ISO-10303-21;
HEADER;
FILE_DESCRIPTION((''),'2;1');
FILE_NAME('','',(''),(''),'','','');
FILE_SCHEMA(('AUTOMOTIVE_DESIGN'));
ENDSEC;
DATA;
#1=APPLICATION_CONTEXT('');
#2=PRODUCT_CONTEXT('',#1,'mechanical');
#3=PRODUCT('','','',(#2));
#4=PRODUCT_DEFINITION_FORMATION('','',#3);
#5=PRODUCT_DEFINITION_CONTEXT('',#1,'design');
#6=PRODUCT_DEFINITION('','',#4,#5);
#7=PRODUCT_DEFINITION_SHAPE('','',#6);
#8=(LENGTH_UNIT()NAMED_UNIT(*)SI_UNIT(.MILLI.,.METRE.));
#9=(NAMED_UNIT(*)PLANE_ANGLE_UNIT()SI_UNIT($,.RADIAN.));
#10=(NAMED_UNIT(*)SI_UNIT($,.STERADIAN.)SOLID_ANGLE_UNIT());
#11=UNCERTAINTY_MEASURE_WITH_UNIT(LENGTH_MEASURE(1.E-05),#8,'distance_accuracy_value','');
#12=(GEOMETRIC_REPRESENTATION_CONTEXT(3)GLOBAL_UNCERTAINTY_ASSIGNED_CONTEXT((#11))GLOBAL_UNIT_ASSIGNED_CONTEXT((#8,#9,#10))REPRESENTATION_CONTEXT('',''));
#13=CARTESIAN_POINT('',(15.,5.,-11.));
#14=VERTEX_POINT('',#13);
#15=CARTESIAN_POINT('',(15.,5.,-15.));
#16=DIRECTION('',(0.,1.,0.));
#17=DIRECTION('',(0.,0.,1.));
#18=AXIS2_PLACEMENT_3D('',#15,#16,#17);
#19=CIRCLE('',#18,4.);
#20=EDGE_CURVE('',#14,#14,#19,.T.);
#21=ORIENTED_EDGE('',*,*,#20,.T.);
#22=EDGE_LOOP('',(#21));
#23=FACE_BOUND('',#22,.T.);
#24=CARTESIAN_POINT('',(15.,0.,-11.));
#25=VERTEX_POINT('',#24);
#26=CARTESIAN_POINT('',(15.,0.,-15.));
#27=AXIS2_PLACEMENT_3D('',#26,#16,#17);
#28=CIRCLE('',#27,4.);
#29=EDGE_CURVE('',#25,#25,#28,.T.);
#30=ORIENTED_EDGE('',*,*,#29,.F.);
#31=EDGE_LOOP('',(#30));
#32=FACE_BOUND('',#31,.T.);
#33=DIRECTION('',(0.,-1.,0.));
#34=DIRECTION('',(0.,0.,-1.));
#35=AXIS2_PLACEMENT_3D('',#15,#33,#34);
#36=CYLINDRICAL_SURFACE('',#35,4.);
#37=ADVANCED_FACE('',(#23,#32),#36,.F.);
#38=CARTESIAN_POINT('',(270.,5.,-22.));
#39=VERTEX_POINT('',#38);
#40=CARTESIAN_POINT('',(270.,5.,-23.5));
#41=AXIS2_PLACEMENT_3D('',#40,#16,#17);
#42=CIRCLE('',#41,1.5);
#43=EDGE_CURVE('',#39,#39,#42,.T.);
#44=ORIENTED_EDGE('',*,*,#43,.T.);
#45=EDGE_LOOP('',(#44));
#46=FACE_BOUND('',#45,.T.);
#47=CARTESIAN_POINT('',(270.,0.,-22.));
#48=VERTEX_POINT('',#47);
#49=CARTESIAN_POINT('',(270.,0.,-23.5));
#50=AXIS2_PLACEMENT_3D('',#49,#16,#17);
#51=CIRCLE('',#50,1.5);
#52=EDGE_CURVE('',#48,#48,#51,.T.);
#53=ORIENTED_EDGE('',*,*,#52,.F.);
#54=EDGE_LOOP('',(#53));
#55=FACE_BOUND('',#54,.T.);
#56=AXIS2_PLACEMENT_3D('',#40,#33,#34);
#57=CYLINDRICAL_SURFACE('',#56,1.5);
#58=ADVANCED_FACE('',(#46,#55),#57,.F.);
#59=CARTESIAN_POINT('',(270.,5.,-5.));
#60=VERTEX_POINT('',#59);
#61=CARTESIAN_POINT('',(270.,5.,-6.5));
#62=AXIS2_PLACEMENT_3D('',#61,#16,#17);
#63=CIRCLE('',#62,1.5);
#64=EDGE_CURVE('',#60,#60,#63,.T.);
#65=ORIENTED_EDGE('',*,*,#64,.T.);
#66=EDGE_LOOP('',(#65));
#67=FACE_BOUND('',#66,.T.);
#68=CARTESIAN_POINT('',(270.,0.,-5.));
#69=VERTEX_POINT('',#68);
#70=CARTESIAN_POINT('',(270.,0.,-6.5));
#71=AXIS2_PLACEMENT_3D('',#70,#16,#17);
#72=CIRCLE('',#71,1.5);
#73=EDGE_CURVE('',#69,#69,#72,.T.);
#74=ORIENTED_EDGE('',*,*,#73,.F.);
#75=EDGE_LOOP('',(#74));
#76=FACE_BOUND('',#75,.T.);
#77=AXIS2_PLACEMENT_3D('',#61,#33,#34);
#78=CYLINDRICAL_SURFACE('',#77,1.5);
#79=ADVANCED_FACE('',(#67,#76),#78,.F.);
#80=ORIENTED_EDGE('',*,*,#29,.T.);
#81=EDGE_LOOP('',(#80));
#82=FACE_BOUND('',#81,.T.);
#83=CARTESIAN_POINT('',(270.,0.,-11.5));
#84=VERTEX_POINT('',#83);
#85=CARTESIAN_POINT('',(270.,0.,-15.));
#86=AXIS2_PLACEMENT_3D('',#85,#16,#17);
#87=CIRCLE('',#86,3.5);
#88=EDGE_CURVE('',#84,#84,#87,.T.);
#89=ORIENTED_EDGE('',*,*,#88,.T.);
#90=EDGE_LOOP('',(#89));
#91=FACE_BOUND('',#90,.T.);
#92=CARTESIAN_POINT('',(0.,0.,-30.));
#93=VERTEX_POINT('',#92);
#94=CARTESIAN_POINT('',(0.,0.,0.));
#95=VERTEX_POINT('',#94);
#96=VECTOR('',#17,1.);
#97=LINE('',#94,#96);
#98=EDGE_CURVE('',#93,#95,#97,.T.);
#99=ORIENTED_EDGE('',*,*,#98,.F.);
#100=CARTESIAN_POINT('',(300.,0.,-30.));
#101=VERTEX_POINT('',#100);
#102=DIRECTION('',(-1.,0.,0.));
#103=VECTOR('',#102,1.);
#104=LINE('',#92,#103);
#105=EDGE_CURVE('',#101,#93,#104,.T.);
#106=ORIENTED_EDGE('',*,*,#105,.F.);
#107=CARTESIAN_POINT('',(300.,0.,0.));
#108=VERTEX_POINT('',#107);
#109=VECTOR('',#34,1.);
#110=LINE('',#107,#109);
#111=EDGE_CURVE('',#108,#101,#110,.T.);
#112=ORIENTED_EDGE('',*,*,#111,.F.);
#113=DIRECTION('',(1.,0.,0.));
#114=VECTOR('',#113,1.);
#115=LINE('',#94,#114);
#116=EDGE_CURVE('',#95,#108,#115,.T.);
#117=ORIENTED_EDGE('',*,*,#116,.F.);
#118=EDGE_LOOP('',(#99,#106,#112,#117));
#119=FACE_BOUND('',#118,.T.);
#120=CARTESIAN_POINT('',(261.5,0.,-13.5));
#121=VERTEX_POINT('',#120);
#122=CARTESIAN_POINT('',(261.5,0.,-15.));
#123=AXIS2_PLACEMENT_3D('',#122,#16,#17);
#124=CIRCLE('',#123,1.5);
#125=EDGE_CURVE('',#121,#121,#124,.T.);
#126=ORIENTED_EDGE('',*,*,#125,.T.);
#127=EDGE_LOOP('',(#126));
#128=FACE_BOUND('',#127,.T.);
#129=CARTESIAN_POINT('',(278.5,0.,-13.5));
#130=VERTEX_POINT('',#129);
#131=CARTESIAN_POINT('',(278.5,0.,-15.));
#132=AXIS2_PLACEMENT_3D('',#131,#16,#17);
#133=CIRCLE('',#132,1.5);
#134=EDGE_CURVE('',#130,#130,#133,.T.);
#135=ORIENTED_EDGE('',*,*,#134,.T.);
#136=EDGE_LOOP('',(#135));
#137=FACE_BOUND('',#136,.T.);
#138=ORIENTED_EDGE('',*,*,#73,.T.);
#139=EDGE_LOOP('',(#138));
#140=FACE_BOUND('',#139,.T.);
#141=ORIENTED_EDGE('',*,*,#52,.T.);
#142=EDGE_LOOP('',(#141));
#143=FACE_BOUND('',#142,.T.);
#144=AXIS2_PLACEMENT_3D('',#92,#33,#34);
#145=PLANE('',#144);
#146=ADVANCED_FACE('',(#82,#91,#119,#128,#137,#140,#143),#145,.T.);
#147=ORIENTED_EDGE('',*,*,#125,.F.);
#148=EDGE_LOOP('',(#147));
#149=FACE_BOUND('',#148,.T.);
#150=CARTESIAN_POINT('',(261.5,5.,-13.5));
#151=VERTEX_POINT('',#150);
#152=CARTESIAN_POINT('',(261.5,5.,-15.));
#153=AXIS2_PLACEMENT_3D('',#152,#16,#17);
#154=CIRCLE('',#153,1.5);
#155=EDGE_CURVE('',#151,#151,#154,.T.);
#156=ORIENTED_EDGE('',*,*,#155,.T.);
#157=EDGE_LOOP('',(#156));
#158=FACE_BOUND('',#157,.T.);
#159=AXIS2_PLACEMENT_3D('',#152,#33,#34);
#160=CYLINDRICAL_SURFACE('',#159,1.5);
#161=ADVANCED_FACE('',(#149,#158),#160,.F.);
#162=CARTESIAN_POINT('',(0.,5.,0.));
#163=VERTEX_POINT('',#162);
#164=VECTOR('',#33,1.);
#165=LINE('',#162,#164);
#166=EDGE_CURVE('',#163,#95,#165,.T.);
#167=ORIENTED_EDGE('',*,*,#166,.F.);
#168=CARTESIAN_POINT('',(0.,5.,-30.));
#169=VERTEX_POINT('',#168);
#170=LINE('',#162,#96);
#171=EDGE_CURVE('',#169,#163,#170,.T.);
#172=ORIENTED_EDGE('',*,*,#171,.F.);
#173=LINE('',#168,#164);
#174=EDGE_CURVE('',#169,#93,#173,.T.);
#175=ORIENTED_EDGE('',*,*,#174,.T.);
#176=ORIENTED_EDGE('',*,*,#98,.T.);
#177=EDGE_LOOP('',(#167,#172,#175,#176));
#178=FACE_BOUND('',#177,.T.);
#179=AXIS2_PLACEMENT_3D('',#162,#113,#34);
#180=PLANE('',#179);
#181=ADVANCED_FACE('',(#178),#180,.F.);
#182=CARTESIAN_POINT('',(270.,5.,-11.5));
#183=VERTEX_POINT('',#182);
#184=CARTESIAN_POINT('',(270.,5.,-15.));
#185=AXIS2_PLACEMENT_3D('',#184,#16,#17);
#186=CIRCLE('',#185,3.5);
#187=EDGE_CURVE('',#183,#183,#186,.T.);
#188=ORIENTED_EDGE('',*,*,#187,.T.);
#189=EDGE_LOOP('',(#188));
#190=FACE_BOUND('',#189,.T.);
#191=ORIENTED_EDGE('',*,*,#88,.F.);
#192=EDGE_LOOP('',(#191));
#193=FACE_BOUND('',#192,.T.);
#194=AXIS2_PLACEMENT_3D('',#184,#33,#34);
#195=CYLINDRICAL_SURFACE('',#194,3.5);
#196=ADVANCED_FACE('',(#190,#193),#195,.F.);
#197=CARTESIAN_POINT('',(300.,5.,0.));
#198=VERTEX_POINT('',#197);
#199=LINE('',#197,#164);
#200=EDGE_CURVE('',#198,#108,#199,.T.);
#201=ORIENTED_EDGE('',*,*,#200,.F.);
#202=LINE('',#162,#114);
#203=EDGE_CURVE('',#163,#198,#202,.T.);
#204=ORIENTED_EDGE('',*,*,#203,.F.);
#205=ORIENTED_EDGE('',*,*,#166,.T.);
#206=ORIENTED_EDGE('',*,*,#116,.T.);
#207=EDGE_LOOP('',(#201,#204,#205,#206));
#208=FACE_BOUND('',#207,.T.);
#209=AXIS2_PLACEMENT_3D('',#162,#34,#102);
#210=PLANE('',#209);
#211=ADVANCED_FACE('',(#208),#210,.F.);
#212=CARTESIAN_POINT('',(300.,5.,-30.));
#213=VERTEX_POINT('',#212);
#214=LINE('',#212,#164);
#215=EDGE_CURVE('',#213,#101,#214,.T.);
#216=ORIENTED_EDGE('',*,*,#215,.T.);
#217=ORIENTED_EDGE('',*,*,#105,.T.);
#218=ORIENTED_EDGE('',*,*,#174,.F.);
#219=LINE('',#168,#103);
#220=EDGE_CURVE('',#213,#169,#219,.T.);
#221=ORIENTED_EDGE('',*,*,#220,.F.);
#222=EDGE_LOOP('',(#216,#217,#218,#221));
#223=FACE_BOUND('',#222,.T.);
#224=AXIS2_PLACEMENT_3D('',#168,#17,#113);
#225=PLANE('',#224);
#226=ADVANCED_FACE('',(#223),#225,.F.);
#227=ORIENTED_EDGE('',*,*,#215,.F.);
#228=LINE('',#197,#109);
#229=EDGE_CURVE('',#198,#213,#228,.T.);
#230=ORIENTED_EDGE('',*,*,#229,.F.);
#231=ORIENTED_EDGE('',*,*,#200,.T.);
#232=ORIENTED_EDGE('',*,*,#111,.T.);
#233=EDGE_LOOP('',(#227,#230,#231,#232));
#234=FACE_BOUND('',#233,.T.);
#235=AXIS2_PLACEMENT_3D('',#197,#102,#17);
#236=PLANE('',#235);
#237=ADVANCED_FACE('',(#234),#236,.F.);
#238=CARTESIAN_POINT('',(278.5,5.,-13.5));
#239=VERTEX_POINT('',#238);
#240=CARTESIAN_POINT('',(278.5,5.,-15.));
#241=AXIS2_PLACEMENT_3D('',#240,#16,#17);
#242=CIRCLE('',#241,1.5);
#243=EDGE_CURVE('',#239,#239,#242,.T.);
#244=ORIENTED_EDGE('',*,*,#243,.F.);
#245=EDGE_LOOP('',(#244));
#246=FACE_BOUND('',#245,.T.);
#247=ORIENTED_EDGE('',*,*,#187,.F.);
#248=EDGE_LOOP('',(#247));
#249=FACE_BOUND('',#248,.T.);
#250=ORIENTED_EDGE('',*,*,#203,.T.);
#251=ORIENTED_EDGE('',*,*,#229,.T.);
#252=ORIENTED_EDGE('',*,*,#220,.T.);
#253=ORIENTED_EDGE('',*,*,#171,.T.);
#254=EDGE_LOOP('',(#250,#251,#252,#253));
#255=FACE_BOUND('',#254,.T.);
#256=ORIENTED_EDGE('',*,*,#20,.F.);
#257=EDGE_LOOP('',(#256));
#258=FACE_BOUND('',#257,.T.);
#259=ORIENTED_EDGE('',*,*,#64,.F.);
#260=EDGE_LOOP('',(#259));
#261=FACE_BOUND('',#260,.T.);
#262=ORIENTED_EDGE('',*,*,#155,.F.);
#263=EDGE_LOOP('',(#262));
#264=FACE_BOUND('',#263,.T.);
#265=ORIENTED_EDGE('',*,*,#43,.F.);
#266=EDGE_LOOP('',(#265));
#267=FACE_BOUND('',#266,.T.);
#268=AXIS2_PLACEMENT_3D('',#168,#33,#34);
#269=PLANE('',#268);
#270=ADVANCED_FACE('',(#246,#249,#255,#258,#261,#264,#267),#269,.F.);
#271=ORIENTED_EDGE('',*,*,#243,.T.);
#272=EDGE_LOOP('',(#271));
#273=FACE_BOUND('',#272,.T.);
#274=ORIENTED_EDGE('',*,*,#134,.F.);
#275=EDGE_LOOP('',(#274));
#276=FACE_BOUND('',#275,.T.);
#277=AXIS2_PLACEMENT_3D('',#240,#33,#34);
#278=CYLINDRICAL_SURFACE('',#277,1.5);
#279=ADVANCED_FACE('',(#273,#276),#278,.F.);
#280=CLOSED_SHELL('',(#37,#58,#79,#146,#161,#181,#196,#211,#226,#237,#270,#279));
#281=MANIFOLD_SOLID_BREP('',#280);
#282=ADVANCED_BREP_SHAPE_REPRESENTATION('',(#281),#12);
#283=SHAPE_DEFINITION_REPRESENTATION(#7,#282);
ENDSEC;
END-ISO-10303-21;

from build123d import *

# Parameters (mm, degrees)
SKETCH1_W           = 300
SKETCH1_H           = 30
SKETCH1_R           = 4
SKETCH1_R_2         = 3.5
SKETCH1_R_3         = 1.5
BOSS_EXTRUDE1_DEPTH = 5


with BuildPart() as part:
    # Sketch1 → Boss-Extrude1 (new body)
    with BuildSketch(Plane(origin=(0, 0, 0), x_dir=(1, 0, 0), z_dir=(0, 1, 0))):
        with Locations((150, 15)):
            Rectangle(SKETCH1_W, SKETCH1_H)
        with Locations((15, 15)):
            Circle(SKETCH1_R, mode=Mode.SUBTRACT)
        with Locations((270, 15)):
            Circle(SKETCH1_R_2, mode=Mode.SUBTRACT)
        with Locations((278.5, 15)):
            Circle(SKETCH1_R_3, mode=Mode.SUBTRACT)
        with Locations((261.5, 15)):
            Circle(SKETCH1_R_3, mode=Mode.SUBTRACT)
        with Locations((270, 23.5)):
            Circle(SKETCH1_R_3, mode=Mode.SUBTRACT)
        with Locations((270, 6.5)):
            Circle(SKETCH1_R_3, mode=Mode.SUBTRACT)
    extrude(amount=BOSS_EXTRUDE1_DEPTH)


solid = part.part
